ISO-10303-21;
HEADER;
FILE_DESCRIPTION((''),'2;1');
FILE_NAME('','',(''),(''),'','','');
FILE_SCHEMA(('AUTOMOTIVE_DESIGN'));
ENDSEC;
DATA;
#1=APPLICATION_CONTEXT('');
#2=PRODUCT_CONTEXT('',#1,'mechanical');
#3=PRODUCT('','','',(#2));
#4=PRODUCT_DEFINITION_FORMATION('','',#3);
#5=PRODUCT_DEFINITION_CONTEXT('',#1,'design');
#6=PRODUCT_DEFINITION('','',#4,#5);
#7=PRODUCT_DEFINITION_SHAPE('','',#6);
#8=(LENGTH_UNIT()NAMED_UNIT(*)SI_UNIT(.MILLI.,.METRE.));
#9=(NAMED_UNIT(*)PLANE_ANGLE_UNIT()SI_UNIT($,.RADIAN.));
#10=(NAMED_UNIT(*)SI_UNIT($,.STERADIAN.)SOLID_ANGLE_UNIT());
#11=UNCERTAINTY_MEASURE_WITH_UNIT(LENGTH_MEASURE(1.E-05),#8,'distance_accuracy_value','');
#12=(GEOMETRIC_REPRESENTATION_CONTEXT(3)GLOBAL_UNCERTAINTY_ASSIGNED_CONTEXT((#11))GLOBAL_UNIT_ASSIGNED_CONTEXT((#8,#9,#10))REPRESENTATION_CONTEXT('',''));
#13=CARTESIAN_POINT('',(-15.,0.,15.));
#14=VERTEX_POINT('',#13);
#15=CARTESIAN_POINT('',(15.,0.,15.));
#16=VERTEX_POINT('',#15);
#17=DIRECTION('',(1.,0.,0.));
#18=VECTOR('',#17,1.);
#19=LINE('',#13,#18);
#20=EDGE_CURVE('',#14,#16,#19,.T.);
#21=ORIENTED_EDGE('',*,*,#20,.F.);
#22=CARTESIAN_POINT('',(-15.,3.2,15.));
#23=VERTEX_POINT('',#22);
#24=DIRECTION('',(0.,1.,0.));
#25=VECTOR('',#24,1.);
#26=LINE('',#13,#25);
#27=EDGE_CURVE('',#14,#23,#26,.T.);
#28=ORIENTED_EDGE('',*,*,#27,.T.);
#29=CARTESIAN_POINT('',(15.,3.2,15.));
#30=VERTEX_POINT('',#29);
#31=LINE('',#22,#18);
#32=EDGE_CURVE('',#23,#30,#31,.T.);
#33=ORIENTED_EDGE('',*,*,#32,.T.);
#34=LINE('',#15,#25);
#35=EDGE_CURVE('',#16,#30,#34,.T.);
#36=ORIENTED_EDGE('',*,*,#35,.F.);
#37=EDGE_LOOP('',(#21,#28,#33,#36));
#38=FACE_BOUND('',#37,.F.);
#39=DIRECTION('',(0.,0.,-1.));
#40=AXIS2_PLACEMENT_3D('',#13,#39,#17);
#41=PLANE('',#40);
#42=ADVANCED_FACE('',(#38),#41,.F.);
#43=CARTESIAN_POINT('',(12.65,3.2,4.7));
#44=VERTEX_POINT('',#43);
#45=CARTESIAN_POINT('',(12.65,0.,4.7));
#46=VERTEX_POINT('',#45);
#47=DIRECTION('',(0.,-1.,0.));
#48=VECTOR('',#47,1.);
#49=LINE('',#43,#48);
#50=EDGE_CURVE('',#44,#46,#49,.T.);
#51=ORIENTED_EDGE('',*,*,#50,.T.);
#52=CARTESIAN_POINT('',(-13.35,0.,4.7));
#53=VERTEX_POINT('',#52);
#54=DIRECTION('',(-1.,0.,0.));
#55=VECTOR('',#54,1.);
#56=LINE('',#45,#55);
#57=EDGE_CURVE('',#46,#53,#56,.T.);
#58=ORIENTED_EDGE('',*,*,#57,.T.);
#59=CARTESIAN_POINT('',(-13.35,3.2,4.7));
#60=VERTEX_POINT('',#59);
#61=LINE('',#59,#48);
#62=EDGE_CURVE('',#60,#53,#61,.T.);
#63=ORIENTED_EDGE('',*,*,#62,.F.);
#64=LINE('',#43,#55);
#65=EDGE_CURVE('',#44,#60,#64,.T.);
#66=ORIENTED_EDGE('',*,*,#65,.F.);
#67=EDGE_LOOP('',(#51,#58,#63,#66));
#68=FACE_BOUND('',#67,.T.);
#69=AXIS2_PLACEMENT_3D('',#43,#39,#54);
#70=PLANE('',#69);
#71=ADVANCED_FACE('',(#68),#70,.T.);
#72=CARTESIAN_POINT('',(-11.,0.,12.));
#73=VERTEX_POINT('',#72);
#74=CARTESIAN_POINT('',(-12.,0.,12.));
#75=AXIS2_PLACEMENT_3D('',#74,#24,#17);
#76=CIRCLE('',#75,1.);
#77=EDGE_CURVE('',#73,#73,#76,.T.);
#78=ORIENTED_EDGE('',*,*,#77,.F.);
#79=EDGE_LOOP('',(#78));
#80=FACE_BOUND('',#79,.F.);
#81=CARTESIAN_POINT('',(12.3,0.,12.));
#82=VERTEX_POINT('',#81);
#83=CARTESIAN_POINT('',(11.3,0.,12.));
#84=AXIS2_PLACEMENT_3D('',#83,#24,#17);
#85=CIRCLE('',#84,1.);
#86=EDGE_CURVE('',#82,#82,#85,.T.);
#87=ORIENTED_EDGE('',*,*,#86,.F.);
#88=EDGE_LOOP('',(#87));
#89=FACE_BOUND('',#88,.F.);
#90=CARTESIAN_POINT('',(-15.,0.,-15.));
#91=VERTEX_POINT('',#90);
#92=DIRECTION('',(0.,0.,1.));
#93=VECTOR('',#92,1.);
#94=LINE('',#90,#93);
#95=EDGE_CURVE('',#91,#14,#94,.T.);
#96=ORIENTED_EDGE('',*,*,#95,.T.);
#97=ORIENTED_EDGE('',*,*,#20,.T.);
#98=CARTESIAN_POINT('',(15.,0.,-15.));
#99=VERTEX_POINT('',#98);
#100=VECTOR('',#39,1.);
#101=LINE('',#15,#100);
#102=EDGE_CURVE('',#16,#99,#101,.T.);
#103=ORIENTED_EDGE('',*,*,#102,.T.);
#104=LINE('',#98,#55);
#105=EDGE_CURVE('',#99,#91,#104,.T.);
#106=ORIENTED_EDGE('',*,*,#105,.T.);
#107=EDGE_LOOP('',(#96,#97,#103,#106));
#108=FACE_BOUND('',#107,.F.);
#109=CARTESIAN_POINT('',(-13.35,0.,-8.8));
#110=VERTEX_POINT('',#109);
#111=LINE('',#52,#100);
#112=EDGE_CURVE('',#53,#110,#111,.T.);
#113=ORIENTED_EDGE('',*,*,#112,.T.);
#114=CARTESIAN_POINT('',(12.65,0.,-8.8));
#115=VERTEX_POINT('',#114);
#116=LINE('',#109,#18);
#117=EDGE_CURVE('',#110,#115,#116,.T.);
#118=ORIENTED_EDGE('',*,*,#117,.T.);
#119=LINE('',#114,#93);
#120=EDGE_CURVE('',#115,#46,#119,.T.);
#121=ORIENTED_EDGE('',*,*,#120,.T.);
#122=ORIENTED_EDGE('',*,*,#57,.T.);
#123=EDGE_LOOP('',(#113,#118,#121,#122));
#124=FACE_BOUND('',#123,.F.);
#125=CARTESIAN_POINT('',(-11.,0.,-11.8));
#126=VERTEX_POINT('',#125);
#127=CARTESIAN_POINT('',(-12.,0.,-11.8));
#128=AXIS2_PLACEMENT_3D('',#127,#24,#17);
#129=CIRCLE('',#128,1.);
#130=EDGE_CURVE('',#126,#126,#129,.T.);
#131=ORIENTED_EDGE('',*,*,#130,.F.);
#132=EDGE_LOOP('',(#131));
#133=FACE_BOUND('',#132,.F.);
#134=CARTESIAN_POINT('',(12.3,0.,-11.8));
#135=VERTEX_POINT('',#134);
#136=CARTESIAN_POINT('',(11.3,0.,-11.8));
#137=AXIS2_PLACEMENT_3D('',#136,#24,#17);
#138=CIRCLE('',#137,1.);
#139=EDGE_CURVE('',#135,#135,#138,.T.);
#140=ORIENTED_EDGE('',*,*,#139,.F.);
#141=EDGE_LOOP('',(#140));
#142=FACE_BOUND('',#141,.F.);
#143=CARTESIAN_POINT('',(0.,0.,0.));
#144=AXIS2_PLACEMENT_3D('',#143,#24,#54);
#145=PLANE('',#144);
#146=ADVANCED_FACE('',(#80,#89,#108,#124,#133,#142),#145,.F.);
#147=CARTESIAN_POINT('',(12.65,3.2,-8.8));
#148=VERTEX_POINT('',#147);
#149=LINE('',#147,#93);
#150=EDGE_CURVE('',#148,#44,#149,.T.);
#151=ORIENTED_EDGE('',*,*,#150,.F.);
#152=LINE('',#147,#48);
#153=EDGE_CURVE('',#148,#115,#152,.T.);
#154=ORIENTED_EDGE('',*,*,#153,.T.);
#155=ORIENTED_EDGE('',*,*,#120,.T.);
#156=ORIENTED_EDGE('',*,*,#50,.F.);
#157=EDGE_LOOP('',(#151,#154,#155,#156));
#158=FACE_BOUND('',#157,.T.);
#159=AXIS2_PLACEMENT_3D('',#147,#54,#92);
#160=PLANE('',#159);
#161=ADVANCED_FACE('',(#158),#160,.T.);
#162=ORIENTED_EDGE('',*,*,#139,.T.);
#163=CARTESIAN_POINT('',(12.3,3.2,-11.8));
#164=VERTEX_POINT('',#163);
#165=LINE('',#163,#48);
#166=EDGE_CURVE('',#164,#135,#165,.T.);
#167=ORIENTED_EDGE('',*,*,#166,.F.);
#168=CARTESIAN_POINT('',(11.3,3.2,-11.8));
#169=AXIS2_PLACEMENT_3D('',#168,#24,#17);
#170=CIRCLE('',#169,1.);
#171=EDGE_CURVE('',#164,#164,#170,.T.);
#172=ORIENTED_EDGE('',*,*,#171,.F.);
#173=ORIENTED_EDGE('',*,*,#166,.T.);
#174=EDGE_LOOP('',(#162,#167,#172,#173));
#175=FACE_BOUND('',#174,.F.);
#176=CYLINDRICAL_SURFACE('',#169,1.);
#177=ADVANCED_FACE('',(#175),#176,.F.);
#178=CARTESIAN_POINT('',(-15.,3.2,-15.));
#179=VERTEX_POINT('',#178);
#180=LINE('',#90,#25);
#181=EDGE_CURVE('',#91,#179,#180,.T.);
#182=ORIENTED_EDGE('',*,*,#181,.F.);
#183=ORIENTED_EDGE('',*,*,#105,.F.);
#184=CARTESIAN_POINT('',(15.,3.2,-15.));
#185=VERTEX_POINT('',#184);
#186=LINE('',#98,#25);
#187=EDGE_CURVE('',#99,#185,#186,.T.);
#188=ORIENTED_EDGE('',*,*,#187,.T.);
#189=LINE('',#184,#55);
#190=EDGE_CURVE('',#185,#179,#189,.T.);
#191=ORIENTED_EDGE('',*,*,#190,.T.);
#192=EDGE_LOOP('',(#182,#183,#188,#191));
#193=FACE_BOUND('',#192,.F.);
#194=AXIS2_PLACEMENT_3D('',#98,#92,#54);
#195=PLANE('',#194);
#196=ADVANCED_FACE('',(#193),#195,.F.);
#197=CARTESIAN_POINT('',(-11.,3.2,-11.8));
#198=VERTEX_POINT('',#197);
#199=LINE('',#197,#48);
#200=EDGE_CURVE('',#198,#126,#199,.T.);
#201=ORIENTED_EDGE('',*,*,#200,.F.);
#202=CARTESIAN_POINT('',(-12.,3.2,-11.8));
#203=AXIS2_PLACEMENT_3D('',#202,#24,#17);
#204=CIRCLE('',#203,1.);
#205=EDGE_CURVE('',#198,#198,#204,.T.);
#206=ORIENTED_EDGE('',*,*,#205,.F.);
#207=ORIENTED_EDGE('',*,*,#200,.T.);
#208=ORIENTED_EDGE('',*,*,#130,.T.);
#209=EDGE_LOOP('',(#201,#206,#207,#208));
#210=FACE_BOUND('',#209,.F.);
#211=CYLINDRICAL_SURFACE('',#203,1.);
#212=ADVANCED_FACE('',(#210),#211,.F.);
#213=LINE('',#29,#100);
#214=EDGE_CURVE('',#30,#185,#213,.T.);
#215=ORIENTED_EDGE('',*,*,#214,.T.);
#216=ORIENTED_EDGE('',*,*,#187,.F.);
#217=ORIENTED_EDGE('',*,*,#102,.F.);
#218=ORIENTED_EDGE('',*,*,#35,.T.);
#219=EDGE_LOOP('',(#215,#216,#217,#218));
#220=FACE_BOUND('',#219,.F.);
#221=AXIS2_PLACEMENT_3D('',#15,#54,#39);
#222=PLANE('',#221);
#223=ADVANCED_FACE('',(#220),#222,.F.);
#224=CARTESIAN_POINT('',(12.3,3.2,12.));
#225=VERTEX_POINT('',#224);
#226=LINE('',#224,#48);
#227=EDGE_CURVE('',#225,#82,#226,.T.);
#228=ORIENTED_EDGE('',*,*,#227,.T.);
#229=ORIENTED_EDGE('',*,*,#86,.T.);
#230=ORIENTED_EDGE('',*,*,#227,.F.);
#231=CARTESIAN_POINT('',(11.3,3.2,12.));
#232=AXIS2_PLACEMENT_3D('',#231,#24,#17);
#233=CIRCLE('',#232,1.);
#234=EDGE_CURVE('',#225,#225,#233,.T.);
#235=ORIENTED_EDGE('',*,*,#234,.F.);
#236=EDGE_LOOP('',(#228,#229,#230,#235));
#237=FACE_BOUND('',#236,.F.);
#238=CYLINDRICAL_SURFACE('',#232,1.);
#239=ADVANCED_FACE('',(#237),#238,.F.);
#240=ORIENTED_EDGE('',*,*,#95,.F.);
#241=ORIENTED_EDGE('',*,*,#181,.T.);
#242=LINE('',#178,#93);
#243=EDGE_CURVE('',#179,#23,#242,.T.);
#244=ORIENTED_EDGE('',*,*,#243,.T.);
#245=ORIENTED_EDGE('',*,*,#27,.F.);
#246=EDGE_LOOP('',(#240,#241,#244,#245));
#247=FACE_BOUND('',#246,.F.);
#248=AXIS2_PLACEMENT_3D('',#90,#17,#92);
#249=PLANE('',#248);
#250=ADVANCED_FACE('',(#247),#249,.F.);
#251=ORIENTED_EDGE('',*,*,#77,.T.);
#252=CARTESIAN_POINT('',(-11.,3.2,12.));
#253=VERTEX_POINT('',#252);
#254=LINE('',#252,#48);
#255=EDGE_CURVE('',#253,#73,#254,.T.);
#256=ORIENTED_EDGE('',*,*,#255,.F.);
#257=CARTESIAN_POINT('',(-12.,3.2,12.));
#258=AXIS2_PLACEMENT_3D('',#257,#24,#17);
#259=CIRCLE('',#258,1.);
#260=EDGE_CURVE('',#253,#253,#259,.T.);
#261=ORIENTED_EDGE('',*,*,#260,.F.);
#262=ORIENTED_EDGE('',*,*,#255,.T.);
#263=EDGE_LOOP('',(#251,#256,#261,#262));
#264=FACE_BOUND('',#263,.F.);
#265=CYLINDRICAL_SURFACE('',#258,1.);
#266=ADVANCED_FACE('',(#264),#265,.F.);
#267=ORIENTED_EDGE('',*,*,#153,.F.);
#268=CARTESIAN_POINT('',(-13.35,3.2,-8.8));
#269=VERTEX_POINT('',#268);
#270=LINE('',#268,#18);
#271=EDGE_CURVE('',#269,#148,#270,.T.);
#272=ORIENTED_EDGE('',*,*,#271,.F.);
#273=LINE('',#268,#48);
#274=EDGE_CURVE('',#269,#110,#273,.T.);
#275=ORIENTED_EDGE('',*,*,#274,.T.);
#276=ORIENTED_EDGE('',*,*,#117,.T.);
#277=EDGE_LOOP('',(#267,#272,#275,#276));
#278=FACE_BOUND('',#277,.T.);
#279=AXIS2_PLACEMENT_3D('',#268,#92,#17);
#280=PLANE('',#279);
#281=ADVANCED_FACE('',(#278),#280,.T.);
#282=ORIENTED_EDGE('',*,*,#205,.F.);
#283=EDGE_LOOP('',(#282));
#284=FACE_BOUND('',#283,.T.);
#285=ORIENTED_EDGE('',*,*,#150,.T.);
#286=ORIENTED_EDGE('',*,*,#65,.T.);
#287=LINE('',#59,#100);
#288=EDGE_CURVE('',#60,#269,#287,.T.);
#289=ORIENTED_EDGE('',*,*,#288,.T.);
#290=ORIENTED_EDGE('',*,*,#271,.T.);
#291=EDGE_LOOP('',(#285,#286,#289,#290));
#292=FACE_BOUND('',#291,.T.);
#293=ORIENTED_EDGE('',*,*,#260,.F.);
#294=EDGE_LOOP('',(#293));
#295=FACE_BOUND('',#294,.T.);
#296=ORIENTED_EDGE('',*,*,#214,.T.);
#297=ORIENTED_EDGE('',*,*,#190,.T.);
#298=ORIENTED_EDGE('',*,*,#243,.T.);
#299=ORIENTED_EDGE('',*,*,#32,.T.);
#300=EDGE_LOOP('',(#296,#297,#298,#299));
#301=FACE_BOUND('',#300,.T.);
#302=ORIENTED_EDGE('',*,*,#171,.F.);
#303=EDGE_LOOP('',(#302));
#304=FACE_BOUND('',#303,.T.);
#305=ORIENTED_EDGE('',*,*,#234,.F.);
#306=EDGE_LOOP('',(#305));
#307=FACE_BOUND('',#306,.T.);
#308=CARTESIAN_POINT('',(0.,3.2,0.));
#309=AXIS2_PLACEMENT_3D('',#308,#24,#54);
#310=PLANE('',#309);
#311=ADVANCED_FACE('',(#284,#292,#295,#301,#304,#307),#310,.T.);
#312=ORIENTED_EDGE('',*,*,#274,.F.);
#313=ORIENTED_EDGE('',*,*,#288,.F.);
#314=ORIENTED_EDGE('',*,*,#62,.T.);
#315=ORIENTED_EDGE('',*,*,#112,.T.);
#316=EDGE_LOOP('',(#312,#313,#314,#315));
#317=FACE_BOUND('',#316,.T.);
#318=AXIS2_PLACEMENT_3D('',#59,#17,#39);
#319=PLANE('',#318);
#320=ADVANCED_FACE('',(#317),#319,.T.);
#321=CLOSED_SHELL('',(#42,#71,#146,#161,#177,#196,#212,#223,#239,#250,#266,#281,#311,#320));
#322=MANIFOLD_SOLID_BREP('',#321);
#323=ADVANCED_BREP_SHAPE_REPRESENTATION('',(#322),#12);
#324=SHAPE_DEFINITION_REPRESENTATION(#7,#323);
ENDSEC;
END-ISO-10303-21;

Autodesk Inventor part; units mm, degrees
ref_plane "YZ Plane" through (0, 0, 0) normal (1, 0, 0) x (0, 1, 0)
ref_plane "XZ Plane" through (0, 0, 0) normal (0, 1, 0) x (-1, 0, 0)
ref_plane "XY Plane" through (0, 0, 0) normal (0, 0, 1) x (1, 0, 0)
sketch "Sketch3" plane through (0, 0, 0) normal (0, 1, 0) x (-1, 0, 0)
  line L0 (-15, -15) -> (15, -15)
  line L1 (15, -15) -> (15, 15)
  line L2 (15, 15) -> (-15, 15)
  line L3 (-15, 15) -> (-15, -15)
  line L4 (-15, -15) -> (15, 15) construction
  line L5 (15, -15) -> (-15, 15) construction
  point P0 (0, 0)
  dimension "d0" = 30
  dimension "d1" = 30
extrude "Extrusion1" add sketch "Sketch3" along normal blind 3.2
sketch "Sketch5" plane through (0, 3.2, 0) normal (0, 1, 0) x (1, 0, 0)
  line L0 (-14, -14) -> (13.3, -14)
  line L1 (13.3, -14) -> (13.3, 13.8)
  line L2 (13.3, 13.8) -> (-14, 13.8)
  line L3 (-14, 13.8) -> (-14, -14)
  circle A0 centre (-12, 11.8) radius 1
  line L4 (-0.35, 13.8) -> (-0.35, -14) construction
  line L5 (-14, -0.1) -> (13.3, -0.1) construction
  circle A1 centre (11.3, 11.8) radius 1
  circle A2 centre (-12, -12) radius 1
  circle A3 centre (11.3, -12) radius 1
  line L6 (12.65, -4.7) -> (-13.35, -4.7)
  line L7 (-13.35, -4.7) -> (-13.35, 8.8)
  line L8 (-13.35, 8.8) -> (12.65, 8.8)
  line L9 (12.65, 8.8) -> (12.65, -4.7)
  line L10 (12.65, -4.7) -> (-13.35, 8.8) construction
  line L11 (-13.35, -4.7) -> (12.65, 8.8) construction
  line L12 (13, -9.73) -> (-13.7, -9.73)
  line L13 (-13.7, -9.73) -> (-13.7, 9.53)
  line L14 (-13.7, 9.53) -> (13, 9.53)
  line L15 (13, 9.53) -> (13, -9.73)
  line L16 (13, -9.73) -> (-13.7, 9.53) construction
  line L17 (-13.7, -9.73) -> (13, 9.53) construction
  line L18 (-15, -15) -> (15, -15) projected
  line L19 (-15, 15) -> (-15, -15) projected
  point P0 (44.7499, 0)
  point P1 (-0.35, 2.05)
  point P2 (-0.35, -0.1)
  dimension "d4" = 27.3
  dimension "d5" = 27.8
  dimension "d7" = 2
  dimension "d8" = 2
  dimension "d9" = 2
  dimension "d10" = 26
  dimension "d11" = 13.5
  dimension "d12" = 5
  dimension "d13" = 26.7
  dimension "d14" = 19.26
  dimension "d15" = 4.27
  dimension "d17" = 1
  dimension "d18" = 1
extrude "Extrusion2" cut sketch "Sketch5" against normal up to surface (3.2 mm away) contours A0 | A1 | A2 | A3 | L6 L7 L8 L9
properties part number "Test OLED"
